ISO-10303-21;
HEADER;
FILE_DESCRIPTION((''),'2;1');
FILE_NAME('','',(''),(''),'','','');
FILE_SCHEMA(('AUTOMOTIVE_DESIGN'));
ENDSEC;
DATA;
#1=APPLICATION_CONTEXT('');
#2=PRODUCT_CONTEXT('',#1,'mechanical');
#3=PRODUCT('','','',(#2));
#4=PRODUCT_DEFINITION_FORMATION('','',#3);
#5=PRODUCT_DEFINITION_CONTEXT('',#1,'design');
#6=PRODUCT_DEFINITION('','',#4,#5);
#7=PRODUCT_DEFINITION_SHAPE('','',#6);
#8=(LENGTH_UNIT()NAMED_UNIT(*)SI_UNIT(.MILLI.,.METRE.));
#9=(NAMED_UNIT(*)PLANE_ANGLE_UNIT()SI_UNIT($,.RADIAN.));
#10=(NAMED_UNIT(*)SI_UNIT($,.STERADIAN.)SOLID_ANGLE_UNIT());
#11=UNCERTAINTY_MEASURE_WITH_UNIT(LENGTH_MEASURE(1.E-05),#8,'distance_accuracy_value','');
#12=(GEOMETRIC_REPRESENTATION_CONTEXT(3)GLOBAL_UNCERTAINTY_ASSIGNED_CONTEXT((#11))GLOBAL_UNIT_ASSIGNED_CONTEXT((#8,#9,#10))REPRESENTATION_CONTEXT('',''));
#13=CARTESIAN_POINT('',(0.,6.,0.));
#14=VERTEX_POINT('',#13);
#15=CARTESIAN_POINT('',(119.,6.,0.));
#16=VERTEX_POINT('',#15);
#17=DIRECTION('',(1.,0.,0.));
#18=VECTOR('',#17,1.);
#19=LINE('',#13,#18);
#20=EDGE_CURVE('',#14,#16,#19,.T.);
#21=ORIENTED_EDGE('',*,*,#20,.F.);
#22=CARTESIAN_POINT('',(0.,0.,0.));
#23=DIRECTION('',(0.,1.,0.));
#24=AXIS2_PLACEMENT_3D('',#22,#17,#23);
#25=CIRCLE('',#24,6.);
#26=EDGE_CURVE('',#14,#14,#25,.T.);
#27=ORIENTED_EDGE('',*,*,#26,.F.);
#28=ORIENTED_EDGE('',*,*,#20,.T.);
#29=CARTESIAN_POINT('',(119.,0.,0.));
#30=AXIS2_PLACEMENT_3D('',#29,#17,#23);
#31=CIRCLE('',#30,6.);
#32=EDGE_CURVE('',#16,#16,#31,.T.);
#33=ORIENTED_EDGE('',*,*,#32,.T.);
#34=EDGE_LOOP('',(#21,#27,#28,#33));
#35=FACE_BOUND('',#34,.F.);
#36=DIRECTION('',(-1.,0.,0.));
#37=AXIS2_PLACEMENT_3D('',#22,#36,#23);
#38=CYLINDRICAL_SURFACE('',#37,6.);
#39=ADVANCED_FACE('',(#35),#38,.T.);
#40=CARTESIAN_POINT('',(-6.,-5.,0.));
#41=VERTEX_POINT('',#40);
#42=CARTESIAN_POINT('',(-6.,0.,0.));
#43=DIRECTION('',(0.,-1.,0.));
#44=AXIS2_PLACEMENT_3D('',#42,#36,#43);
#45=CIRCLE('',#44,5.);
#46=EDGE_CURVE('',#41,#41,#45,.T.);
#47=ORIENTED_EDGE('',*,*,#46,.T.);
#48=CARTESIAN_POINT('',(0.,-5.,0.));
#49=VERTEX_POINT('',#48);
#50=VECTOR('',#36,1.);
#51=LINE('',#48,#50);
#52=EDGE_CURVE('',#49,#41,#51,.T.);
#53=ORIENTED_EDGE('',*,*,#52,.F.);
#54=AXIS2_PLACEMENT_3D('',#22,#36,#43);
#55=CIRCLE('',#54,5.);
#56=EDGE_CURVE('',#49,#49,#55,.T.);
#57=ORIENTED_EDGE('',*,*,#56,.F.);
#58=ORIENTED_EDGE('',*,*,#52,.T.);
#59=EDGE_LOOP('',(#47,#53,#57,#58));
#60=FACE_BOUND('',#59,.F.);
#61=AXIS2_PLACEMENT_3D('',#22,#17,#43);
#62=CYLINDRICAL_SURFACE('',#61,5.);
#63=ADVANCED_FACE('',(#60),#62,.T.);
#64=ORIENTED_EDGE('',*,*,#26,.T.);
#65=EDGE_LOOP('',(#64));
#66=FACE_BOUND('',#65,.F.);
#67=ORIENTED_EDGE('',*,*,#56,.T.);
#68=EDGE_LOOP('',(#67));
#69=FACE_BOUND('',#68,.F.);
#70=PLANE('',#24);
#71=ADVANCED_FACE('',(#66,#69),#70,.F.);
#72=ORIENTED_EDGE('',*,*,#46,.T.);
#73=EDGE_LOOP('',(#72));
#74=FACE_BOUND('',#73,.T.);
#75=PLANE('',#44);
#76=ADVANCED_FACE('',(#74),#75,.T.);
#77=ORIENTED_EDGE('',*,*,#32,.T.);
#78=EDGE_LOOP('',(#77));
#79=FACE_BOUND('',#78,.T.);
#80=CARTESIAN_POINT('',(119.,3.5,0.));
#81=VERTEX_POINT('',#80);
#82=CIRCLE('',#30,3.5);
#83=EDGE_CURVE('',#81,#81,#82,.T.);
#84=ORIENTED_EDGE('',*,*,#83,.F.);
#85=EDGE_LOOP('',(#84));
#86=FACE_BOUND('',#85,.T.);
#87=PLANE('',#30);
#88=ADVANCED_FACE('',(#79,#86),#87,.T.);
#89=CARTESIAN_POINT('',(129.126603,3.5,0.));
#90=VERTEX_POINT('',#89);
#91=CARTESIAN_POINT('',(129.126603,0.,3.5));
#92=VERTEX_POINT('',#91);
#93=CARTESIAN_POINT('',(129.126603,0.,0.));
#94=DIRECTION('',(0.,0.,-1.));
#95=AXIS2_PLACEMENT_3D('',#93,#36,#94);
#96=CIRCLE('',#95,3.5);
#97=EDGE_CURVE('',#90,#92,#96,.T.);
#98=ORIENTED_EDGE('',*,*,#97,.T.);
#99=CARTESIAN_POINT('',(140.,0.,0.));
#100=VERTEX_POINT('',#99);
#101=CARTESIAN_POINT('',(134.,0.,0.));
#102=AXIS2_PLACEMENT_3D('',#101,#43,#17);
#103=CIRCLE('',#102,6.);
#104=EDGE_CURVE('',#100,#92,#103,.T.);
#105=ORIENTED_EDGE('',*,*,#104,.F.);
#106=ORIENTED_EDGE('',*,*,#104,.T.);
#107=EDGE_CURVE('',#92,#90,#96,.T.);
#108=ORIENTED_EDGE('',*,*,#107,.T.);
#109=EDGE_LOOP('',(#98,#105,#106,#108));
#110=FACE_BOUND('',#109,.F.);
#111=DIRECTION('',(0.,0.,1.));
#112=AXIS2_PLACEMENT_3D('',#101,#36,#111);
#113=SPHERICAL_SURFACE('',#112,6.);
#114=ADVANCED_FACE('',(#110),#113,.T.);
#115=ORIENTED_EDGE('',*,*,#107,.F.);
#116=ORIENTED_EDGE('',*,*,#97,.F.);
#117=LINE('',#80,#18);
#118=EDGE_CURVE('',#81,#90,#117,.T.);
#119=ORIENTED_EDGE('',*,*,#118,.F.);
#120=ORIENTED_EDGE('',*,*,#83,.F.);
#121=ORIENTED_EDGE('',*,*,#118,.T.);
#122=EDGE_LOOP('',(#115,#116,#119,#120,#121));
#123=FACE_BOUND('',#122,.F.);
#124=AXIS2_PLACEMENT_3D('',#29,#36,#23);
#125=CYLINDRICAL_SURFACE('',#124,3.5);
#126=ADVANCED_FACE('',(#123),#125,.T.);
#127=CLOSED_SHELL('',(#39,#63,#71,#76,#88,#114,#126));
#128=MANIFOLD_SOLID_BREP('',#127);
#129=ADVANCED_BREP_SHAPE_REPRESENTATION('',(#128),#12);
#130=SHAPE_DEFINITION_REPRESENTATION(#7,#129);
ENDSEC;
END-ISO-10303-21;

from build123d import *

# Parameters (mm, degrees)
F0_R     = 6
F1_DEPTH = 119
F2_R     = 5
F3_DEPTH = 6
F4_R     = 3.5
F5_DEPTH = 10.13


with BuildPart() as f1:
    # F0 (on Right) → F1 (new body)
    with BuildSketch(Plane.YZ):
        Circle(F0_R)
    extrude(amount=F1_DEPTH)

    # F2 (on face) → F3 (join)
    with BuildSketch(Plane(origin=(0, 0, 0), x_dir=(0, -1, 0), z_dir=(-1, 0, 0))):
        Circle(F2_R)
    extrude(amount=F3_DEPTH)

    # F4 (on face) → F5 (join)
    with BuildSketch(Plane.YZ.offset(119)):
        Circle(F4_R)
    extrude(amount=F5_DEPTH)

    # F6 (on Front) → F7 (revolve)
    with BuildSketch(Plane.XZ):
        with BuildLine():
            Line((128, 0), (140, 0))
            ThreePointArc((140, 0), (134, 6), (128, 0))
        make_face()
    revolve(axis=Axis((134, 0, 0), (1, 0, 0)))


solid = f1.part
